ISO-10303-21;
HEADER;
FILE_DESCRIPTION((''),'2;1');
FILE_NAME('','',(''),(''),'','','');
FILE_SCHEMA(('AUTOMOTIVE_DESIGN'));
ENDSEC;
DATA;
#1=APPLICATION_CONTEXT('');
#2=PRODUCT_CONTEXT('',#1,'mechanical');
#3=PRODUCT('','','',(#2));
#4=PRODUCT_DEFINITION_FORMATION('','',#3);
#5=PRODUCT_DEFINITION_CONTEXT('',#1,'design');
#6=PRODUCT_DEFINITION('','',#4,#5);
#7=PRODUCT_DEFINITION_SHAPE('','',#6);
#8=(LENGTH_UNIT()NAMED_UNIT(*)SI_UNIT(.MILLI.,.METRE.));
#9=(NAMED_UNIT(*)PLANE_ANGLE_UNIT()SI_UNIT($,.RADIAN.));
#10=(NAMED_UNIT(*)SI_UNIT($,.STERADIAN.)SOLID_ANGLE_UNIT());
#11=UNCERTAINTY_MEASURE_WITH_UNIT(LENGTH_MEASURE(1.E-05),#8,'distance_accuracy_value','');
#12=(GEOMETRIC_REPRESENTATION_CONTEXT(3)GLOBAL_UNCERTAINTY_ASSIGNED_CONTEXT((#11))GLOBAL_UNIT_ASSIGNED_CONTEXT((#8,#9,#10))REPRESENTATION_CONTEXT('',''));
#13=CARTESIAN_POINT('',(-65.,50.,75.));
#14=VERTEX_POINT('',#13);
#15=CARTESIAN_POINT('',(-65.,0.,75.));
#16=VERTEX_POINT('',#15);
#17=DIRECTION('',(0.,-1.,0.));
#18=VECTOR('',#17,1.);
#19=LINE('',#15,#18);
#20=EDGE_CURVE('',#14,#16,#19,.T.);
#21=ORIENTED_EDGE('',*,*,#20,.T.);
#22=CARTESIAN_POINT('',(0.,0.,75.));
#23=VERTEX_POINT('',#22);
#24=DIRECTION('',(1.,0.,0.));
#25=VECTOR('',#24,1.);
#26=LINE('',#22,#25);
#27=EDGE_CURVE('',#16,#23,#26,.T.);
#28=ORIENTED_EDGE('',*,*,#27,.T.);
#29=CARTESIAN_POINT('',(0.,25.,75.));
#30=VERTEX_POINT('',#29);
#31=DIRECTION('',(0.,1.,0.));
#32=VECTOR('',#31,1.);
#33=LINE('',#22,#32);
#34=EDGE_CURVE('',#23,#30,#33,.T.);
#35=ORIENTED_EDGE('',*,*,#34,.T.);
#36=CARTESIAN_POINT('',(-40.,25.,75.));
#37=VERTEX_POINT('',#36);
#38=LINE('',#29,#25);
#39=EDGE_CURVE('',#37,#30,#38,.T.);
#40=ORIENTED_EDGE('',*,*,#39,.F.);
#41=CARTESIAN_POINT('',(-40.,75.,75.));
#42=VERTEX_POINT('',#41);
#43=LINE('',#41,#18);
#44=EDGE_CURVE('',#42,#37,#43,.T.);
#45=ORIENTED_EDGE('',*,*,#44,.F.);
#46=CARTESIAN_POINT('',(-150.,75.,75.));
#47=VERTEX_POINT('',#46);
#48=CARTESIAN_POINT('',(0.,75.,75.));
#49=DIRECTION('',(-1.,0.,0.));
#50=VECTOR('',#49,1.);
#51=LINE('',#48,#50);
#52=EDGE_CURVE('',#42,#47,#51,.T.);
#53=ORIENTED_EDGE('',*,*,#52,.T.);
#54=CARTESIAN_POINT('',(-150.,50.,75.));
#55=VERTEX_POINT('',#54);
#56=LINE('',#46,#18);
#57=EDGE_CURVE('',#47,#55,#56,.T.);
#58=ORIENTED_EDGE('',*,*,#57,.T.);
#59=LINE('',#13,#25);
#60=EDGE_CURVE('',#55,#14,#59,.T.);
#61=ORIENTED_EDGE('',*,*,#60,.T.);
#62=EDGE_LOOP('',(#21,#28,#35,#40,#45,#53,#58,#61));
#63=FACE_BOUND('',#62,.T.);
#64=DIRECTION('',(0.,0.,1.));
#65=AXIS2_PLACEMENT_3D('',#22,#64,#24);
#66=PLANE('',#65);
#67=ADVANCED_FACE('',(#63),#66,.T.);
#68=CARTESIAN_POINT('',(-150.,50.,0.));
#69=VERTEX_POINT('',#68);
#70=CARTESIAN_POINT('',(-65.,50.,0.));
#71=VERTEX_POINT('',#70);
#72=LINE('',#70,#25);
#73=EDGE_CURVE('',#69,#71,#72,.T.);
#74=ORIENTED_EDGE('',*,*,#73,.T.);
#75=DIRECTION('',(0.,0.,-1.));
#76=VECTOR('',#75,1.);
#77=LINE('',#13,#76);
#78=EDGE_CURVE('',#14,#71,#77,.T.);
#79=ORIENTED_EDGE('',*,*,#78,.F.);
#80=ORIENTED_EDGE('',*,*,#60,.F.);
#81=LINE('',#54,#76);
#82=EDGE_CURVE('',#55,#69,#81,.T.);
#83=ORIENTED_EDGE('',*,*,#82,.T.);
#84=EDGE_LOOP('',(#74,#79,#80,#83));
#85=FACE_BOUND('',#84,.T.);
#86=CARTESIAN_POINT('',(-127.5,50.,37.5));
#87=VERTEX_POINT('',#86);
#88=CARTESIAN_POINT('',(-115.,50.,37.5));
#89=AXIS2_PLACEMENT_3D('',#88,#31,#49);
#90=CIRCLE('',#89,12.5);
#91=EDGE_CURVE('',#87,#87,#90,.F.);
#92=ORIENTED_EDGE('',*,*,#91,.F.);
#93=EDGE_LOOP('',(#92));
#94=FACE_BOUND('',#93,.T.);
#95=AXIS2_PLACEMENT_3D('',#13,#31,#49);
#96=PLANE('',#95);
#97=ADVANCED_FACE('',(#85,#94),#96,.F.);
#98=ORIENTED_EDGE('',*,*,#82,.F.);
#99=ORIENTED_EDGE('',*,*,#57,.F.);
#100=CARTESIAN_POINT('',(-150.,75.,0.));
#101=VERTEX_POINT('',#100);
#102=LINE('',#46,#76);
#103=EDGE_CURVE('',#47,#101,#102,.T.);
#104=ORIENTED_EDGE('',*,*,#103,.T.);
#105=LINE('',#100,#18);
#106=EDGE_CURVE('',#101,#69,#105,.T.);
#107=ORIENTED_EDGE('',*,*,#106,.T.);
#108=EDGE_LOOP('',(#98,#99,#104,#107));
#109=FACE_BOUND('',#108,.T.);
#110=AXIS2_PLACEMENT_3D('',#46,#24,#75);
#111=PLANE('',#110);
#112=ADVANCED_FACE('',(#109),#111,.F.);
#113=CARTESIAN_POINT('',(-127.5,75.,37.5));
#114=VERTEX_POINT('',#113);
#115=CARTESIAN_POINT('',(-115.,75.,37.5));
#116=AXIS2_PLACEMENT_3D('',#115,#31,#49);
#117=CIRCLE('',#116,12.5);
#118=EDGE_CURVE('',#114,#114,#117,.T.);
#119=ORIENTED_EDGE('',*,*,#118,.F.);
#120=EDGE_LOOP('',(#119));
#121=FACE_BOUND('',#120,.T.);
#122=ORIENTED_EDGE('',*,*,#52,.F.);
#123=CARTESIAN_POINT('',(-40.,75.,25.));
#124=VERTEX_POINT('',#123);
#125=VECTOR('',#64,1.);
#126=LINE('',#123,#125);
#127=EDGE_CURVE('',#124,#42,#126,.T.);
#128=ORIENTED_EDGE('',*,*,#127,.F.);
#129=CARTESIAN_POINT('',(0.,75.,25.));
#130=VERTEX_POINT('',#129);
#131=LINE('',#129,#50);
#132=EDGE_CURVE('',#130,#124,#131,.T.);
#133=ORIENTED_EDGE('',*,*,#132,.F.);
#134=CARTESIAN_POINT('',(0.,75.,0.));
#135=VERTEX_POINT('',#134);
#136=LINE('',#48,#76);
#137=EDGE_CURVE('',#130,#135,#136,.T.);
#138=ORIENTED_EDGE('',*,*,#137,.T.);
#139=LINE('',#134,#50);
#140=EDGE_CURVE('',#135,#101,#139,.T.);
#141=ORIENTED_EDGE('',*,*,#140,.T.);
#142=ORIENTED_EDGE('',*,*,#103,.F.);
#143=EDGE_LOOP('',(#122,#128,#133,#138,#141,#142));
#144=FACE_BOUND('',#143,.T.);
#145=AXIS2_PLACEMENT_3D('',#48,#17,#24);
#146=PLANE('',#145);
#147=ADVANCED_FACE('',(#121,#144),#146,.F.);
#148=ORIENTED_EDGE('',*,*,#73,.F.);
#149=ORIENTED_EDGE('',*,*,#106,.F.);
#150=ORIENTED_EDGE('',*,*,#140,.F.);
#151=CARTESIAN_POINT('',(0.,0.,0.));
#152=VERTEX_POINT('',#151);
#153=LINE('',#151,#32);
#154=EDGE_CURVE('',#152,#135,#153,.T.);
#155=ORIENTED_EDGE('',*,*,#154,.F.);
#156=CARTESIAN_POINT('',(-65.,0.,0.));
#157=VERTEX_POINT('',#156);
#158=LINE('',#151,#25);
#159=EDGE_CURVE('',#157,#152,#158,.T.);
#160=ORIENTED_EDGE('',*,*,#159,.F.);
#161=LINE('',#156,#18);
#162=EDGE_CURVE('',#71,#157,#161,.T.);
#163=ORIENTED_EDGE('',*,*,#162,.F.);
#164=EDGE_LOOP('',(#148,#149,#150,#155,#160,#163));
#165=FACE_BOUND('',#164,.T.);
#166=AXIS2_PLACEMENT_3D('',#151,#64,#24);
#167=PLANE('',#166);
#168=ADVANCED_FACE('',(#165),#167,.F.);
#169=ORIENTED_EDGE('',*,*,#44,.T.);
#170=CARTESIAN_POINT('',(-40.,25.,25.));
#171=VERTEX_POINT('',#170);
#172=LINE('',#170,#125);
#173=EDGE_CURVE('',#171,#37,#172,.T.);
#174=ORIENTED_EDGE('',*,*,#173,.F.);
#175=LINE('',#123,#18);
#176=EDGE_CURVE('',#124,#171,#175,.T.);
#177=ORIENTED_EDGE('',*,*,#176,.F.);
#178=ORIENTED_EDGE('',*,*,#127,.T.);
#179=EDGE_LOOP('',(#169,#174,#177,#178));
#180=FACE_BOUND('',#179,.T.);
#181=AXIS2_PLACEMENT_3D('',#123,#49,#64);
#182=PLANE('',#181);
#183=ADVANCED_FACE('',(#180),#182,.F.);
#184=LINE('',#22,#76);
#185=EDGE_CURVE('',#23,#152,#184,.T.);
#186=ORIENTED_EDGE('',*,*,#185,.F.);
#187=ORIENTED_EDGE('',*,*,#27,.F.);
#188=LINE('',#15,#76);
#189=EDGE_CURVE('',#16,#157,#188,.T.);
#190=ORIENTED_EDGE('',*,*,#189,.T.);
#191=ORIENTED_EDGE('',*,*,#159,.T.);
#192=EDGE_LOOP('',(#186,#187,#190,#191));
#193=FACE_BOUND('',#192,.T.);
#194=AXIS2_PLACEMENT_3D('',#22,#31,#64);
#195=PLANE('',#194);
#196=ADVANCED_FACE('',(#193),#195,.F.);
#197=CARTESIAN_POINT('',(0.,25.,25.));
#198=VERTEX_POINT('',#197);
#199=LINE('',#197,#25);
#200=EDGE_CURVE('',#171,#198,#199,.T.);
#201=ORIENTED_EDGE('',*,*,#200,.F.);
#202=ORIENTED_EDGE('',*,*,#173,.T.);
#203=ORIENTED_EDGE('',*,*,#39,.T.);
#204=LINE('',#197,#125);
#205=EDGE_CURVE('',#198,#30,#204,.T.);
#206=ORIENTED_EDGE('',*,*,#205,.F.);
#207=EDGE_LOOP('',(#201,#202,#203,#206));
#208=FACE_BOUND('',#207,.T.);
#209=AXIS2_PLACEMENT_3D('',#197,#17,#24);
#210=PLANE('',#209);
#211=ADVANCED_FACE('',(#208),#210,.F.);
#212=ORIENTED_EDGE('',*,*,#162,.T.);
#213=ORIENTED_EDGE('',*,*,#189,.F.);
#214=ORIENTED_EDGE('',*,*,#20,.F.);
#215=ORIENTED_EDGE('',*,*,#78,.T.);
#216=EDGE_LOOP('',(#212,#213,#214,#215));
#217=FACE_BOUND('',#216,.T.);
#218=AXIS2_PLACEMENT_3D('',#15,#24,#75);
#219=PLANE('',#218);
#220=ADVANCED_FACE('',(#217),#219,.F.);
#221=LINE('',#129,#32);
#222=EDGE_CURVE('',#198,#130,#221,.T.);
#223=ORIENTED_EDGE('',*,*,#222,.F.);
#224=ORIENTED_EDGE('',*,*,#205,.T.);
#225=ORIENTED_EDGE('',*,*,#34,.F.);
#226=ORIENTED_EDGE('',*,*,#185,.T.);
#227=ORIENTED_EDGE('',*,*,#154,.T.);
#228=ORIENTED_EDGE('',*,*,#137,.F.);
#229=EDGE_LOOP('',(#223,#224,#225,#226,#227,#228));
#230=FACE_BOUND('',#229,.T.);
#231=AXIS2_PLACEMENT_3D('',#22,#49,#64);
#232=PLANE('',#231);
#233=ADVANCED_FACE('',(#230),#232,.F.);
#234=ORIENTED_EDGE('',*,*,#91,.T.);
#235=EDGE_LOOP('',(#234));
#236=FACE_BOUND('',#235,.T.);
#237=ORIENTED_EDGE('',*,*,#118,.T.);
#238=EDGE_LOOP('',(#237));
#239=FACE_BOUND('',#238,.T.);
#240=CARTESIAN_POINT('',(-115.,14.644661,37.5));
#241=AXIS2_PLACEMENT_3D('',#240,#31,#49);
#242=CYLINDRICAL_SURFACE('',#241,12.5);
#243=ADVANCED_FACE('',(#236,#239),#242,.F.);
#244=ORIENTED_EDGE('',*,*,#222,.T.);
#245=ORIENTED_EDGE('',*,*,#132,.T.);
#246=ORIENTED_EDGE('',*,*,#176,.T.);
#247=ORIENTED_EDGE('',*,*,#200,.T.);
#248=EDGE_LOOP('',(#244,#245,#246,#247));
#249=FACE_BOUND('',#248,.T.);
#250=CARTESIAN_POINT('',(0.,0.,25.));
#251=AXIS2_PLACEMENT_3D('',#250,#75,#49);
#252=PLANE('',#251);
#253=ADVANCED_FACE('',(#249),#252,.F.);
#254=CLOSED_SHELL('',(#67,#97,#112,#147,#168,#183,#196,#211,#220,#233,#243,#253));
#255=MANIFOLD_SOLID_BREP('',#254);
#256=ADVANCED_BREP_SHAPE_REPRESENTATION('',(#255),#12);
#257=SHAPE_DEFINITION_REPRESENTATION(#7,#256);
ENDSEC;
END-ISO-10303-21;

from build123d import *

# Parameters (mm, degrees)
BOSS_EXTRUDE1_DEPTH = 75
SKETCH4_W           = 40
SKETCH4_H           = 50
CUT_EXTRUDE1_DEPTH  = 50
SKETCH5_R           = 12.5
CUT_EXTRUDE2_DEPTH  = 25


with BuildPart() as part:
    # Sketch2 → Boss-Extrude1 (new body)
    with BuildSketch(Plane.XY):
        Polygon((0, 0), (-65, 0), (-65, 50), (-150, 50), (-150, 75), (0, 75), align=None)
    extrude(amount=BOSS_EXTRUDE1_DEPTH)

    # Sketch4 → Cut-Extrude1 (cut)
    with BuildSketch(Plane.XY.offset(75)):
        with Locations((-20, 50)):
            Rectangle(SKETCH4_W, SKETCH4_H)
    extrude(amount=-CUT_EXTRUDE1_DEPTH, mode=Mode.SUBTRACT)

    # Sketch5 → Cut-Extrude2 (cut)
    with BuildSketch(Plane(origin=(0, 75, 0), x_dir=(1, 0, 0), z_dir=(0, 1, 0))):
        with Locations(Location((-115, -37.5, 0), (0, 0, 180))):
            Circle(SKETCH5_R)
    extrude(amount=-CUT_EXTRUDE2_DEPTH, mode=Mode.SUBTRACT)


solid = part.part
